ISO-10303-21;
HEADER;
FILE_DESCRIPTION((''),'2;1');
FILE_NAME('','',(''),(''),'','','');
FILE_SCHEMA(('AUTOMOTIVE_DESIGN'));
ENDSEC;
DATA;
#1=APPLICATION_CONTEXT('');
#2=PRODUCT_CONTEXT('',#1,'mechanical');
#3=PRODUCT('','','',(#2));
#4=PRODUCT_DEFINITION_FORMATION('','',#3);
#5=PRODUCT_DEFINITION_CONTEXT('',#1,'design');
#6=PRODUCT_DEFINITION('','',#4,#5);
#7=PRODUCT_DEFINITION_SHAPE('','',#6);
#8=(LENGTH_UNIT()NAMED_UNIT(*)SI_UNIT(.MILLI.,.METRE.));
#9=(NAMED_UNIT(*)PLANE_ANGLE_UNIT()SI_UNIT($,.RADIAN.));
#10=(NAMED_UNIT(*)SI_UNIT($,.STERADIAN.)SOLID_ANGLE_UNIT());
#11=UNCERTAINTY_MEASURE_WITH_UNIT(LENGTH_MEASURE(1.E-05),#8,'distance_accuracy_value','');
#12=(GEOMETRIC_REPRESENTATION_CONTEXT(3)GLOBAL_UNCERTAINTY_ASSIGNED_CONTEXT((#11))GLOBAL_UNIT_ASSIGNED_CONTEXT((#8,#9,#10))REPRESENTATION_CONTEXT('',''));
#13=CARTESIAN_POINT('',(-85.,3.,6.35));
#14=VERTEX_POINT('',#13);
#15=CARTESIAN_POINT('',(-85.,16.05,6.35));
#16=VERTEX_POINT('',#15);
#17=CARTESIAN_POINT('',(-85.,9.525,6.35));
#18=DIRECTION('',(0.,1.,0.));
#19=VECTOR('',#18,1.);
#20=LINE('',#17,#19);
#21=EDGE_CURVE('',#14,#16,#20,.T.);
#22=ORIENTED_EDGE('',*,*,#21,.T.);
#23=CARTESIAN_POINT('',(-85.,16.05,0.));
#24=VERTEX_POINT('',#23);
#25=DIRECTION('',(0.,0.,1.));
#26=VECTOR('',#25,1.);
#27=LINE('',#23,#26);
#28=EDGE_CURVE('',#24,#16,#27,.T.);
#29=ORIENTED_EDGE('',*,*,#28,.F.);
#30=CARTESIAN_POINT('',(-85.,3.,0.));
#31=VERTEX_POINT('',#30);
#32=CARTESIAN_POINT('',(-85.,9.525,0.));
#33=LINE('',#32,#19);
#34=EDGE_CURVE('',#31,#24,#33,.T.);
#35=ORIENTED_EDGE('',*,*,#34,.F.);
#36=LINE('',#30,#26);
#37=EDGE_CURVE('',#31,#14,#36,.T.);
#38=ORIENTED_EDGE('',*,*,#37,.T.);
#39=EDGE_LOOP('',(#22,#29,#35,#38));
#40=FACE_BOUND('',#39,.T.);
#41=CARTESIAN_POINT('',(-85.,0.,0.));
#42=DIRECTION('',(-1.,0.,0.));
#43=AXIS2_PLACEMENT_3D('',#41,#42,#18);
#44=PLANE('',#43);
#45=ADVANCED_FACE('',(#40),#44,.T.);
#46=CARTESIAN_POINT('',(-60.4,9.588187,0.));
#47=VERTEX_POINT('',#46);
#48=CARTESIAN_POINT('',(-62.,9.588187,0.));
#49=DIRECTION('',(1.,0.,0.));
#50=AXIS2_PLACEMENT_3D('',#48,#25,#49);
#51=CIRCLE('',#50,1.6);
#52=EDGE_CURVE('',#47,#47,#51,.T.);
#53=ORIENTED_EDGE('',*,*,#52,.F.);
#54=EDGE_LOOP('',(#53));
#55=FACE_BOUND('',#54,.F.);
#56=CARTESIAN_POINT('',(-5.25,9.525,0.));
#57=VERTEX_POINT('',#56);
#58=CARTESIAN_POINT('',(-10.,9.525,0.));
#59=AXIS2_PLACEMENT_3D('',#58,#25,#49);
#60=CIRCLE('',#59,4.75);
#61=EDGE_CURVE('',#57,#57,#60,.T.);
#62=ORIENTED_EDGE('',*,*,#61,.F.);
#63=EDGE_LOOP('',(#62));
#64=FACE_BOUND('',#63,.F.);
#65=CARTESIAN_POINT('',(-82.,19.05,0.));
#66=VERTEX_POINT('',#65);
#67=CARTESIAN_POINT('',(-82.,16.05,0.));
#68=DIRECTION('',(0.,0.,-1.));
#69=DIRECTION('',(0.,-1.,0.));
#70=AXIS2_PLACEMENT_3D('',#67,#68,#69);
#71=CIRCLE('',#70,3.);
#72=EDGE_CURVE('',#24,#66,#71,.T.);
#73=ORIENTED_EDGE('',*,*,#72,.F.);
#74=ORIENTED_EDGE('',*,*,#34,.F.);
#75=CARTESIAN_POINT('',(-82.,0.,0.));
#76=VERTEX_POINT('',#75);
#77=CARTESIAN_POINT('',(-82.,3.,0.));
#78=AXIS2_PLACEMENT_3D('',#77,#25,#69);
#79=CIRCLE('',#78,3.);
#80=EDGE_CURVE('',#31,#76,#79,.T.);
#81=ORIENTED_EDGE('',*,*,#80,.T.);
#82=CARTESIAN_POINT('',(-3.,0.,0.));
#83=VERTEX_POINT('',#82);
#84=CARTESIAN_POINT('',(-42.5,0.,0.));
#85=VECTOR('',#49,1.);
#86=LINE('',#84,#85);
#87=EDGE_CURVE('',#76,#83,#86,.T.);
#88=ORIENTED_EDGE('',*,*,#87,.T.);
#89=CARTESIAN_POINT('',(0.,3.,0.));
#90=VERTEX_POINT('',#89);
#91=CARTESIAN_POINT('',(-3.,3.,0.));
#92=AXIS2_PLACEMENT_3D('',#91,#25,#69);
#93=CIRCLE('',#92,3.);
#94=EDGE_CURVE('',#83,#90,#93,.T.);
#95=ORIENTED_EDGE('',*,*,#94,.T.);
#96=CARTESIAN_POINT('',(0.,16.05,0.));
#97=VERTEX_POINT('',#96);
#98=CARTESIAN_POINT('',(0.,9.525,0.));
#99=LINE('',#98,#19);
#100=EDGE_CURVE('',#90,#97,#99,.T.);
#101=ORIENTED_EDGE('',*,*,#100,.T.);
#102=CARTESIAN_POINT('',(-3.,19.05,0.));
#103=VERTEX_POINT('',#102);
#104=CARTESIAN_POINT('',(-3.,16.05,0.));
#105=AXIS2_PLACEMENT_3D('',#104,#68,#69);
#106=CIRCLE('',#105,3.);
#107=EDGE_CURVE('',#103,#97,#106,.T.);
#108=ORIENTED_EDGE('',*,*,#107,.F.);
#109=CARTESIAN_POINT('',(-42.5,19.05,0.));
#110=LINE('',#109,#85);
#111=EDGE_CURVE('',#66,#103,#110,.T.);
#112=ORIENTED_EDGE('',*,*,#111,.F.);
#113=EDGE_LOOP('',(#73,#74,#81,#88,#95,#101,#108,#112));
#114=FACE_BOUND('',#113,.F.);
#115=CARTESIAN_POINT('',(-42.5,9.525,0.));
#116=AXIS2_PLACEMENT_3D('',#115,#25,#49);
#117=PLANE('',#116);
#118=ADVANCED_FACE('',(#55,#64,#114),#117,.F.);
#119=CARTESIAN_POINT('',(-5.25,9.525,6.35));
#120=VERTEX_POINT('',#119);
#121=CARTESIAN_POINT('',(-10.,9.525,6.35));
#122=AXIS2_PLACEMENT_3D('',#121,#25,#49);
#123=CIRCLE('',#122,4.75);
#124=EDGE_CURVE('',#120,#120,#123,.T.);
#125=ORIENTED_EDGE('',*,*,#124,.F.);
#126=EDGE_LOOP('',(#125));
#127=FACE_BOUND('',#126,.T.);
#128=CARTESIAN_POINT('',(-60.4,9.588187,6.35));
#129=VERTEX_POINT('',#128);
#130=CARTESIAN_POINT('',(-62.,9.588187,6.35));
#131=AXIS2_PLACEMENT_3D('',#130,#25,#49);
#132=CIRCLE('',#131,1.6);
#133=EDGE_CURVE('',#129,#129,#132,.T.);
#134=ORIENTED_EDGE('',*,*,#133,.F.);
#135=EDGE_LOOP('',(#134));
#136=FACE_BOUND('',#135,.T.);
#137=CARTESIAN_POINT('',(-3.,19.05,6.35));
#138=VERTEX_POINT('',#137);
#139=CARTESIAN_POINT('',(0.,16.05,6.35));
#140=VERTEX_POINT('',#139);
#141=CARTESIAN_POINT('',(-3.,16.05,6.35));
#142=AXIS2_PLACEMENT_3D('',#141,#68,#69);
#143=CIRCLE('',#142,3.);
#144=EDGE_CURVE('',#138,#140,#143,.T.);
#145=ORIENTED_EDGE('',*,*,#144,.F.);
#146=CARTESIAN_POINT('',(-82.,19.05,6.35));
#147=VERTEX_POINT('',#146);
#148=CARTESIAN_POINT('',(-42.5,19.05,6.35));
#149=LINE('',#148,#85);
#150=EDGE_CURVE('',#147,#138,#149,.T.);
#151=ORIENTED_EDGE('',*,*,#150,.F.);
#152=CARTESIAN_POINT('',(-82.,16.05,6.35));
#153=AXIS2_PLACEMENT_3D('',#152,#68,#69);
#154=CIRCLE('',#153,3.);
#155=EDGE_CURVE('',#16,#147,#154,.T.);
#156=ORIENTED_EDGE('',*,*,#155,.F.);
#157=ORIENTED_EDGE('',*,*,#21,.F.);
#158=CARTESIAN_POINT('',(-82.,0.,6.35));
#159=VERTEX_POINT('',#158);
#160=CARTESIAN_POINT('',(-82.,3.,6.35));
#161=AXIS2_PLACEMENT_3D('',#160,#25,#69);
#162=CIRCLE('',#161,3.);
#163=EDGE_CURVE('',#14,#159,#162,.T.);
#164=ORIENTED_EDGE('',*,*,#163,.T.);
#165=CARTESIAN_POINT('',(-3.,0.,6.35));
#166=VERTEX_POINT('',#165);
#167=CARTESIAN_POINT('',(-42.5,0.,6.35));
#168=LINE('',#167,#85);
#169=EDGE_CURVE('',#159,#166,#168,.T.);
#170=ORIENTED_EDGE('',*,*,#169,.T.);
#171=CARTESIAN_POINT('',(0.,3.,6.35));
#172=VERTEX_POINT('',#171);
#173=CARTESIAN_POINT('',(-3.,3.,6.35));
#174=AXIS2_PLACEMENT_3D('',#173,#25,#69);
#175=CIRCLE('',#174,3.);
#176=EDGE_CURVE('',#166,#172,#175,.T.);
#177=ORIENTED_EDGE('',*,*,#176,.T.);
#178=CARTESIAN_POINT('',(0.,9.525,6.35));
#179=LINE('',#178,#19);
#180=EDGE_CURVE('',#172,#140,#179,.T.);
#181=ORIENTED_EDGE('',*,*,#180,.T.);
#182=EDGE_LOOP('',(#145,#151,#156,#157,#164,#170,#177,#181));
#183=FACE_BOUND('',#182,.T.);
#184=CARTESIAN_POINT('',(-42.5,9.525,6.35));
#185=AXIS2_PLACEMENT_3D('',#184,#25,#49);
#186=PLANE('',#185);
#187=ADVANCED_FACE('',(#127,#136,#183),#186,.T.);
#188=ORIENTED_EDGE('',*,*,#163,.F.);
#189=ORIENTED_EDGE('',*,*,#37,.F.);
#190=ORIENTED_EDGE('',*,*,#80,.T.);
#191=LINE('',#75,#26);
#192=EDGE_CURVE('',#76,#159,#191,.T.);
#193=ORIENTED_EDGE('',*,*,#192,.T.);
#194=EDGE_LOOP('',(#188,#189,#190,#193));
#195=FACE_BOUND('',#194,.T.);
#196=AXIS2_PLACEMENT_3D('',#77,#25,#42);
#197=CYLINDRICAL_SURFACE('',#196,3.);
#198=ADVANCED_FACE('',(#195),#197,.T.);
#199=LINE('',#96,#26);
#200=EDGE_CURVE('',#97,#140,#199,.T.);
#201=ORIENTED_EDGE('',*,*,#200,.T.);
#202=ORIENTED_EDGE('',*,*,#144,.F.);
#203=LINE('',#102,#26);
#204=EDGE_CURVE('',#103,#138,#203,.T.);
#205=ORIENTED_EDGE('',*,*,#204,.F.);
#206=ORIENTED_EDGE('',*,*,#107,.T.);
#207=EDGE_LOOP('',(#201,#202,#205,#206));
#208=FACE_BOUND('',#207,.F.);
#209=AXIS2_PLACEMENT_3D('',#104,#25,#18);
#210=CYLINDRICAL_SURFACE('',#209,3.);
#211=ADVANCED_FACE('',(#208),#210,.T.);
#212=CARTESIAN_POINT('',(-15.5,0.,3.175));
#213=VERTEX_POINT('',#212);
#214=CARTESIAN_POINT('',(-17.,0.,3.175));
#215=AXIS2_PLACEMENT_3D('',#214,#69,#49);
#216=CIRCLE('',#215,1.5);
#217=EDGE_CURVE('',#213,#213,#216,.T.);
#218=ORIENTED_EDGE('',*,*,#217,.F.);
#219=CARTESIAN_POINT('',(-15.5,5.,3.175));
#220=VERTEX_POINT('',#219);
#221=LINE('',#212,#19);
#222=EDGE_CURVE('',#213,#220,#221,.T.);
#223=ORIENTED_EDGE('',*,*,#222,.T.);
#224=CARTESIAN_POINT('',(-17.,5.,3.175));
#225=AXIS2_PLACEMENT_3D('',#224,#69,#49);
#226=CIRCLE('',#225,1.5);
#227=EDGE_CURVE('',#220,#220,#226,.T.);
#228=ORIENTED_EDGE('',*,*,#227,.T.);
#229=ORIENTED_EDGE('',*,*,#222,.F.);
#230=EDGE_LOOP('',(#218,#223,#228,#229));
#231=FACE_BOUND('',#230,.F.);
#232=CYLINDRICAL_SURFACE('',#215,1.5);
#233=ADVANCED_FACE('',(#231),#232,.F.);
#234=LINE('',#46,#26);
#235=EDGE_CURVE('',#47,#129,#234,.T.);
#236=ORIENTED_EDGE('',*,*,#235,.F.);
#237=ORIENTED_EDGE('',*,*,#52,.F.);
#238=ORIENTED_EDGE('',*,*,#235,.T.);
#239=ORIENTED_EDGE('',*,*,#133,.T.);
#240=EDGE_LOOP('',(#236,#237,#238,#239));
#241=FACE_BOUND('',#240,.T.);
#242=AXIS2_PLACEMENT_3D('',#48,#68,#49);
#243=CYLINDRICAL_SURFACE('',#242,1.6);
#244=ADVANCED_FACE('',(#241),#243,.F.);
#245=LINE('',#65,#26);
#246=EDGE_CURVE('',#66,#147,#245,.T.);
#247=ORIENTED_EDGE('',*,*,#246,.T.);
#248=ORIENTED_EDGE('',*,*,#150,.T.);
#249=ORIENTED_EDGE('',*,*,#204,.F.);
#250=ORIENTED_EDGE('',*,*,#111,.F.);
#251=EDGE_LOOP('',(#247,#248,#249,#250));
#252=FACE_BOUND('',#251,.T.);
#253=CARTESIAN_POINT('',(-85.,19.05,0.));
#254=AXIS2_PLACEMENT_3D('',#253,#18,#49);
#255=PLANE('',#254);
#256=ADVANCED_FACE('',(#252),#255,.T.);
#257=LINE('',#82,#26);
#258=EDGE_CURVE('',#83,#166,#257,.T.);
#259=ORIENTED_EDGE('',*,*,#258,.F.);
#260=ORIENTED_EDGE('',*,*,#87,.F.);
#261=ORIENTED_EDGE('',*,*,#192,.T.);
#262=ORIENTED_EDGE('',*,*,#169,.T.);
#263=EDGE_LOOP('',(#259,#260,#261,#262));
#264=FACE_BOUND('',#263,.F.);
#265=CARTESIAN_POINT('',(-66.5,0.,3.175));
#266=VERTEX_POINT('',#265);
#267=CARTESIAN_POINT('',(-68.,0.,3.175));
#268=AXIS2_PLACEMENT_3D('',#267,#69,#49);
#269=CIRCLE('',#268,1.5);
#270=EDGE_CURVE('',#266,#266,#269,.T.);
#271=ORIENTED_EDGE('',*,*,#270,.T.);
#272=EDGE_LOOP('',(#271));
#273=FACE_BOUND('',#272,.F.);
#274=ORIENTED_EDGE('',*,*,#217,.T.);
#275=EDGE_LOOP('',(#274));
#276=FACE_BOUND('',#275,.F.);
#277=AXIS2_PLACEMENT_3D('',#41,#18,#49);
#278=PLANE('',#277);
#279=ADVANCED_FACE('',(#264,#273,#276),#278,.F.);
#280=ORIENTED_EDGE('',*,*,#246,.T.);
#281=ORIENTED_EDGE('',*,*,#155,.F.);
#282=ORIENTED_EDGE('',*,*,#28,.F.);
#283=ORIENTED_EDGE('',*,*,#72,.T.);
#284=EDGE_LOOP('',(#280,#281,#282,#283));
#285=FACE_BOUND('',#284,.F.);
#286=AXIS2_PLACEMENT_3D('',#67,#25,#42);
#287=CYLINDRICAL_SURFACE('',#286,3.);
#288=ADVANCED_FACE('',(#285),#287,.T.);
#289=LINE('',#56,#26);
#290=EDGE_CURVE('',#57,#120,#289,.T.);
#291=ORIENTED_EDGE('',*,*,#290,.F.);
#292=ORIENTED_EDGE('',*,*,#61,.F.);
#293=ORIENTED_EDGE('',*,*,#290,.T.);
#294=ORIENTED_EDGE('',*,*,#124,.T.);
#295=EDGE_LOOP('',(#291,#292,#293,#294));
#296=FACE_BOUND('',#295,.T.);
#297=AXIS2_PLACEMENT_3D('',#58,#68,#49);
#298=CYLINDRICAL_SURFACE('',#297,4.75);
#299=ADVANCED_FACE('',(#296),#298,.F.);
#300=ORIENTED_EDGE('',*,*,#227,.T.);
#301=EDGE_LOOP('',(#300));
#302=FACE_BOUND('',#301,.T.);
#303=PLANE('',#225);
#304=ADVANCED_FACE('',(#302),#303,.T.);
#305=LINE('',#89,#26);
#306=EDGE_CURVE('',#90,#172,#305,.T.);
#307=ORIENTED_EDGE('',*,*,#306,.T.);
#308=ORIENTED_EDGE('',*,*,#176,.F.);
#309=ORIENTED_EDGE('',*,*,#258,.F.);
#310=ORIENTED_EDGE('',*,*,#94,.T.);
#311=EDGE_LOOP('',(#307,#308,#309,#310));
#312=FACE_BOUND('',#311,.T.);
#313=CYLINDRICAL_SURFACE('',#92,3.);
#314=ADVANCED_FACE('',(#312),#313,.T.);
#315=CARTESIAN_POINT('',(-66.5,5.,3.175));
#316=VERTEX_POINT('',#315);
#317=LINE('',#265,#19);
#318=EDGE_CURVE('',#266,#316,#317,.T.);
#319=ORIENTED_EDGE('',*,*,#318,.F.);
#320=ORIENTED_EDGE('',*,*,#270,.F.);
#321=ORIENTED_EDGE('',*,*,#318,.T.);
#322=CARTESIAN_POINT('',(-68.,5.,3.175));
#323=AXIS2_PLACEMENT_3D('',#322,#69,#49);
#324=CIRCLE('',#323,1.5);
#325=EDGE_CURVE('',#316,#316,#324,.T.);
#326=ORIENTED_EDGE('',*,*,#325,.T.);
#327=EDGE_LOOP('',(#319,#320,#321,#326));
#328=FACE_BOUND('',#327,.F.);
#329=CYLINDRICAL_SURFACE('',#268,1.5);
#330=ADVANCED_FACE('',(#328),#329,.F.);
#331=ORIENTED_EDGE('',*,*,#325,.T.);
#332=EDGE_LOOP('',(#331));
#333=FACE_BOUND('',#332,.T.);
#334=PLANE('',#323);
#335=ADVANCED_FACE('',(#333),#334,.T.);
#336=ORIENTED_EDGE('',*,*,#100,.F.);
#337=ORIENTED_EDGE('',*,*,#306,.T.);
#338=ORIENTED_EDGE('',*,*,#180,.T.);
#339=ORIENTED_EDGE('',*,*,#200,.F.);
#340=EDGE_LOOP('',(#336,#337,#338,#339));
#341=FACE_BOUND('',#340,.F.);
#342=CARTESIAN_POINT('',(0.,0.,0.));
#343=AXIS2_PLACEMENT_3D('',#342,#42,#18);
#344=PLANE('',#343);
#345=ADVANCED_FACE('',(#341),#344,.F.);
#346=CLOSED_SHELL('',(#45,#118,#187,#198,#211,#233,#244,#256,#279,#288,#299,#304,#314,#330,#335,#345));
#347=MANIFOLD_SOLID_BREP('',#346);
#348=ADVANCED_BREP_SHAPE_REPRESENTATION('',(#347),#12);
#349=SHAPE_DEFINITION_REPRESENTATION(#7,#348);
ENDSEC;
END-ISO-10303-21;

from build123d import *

# Parameters (mm, degrees)
F0_W     = 85
F0_H     = 19.05
F0_R     = 1.6
F0_R_2   = 4.75
F1_DEPTH = 6.35
F2_R     = 1.5
F3_DEPTH = 5
F4_R     = 3


with BuildPart() as f1:
    # F0 (on Top) → F1 (new body)
    with BuildSketch(Plane.XY):
        with Locations((-42.5, 9.525)):
            Rectangle(F0_W, F0_H)
        with Locations((-62, 9.588187)):
            Circle(F0_R, mode=Mode.SUBTRACT)
        with Locations((-10, 9.525)):
            Circle(F0_R_2, mode=Mode.SUBTRACT)
    extrude(amount=F1_DEPTH)

    # F2 (on face) → F3 (cut)
    with BuildSketch(Plane.XZ):
        with Locations((-68, 3.175)):
            Circle(F2_R)
        with Locations((-17, 3.175)):
            Circle(F2_R)
    extrude(amount=-F3_DEPTH, mode=Mode.SUBTRACT)

    # F4
    f4_edges = [f1.edges().sort_by_distance(p)[0] for p in [
        (0, 19.05, 3.175),
        (-85, 19.05, 3.175),
        (-85, 0, 3.175),
        (0, 0, 3.175),
    ]]
    fillet(f4_edges, radius=F4_R)


solid = f1.part
